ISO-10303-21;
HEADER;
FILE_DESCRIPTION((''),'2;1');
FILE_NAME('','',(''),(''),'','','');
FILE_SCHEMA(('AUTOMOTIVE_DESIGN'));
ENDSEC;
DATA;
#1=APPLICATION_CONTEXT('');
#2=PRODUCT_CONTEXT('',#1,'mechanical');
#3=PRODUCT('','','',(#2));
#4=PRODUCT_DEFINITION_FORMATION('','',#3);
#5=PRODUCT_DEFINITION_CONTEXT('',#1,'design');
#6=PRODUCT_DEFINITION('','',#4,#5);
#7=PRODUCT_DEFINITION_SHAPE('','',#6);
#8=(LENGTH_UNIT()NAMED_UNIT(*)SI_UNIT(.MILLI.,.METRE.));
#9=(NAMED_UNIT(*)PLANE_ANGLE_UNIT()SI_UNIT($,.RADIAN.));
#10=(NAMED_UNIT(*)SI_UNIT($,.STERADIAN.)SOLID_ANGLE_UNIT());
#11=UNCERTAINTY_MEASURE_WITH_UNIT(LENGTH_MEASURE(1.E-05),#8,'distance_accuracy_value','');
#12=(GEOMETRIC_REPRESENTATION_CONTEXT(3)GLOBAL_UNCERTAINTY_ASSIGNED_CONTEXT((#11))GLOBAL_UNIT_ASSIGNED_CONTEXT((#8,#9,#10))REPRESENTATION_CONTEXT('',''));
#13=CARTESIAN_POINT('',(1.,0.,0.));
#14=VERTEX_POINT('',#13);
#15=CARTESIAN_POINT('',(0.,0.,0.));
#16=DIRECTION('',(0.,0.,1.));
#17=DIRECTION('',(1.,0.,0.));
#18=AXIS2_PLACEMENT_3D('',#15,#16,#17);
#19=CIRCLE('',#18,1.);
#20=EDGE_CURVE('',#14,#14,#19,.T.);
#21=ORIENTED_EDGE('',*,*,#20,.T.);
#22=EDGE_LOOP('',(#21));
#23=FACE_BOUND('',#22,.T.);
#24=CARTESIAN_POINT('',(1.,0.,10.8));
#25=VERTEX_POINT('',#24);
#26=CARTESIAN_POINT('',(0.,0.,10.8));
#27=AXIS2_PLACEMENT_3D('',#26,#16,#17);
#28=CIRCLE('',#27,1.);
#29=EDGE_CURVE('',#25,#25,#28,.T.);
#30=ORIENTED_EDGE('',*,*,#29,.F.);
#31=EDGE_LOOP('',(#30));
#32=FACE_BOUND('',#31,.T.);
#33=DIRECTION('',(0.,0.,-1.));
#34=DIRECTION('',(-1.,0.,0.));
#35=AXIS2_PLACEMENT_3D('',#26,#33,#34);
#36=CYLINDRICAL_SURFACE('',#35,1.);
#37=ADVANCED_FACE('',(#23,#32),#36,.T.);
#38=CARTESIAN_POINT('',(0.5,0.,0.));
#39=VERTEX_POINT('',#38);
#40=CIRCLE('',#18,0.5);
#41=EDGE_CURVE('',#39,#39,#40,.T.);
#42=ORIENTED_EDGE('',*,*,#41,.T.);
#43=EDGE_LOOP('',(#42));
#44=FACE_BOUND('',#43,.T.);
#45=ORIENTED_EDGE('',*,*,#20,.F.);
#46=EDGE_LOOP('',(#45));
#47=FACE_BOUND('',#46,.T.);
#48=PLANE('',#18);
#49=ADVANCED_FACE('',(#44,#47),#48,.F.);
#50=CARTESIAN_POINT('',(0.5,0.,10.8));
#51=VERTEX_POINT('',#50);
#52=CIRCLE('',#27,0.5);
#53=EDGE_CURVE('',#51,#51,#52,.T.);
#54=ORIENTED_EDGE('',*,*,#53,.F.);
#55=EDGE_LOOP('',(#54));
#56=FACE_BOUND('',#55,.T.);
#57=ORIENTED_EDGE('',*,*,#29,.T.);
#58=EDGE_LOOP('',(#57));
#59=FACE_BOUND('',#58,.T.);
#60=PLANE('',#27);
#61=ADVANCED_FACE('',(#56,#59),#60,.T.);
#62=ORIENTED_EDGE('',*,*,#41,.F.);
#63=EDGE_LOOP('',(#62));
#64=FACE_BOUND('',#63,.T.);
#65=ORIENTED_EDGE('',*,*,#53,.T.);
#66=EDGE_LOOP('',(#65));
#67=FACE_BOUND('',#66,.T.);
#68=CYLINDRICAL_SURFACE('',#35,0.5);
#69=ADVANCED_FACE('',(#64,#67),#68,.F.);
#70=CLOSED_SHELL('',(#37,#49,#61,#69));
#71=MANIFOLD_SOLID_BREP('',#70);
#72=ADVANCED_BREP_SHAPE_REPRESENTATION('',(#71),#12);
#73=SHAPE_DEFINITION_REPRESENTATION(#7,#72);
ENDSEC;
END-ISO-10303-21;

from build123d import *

# Parameters (mm, degrees)
CROQUIS1_R              = 1
CROQUIS1_R_2            = 0.5
SALIENTE_EXTRUIR1_DEPTH = 10.8


with BuildPart() as part:
    # Croquis1 → Saliente-Extruir1 (new body)
    with BuildSketch(Plane.XY):
        Circle(CROQUIS1_R)
        Circle(CROQUIS1_R_2, mode=Mode.SUBTRACT)
    extrude(amount=SALIENTE_EXTRUIR1_DEPTH)


solid = part.part
